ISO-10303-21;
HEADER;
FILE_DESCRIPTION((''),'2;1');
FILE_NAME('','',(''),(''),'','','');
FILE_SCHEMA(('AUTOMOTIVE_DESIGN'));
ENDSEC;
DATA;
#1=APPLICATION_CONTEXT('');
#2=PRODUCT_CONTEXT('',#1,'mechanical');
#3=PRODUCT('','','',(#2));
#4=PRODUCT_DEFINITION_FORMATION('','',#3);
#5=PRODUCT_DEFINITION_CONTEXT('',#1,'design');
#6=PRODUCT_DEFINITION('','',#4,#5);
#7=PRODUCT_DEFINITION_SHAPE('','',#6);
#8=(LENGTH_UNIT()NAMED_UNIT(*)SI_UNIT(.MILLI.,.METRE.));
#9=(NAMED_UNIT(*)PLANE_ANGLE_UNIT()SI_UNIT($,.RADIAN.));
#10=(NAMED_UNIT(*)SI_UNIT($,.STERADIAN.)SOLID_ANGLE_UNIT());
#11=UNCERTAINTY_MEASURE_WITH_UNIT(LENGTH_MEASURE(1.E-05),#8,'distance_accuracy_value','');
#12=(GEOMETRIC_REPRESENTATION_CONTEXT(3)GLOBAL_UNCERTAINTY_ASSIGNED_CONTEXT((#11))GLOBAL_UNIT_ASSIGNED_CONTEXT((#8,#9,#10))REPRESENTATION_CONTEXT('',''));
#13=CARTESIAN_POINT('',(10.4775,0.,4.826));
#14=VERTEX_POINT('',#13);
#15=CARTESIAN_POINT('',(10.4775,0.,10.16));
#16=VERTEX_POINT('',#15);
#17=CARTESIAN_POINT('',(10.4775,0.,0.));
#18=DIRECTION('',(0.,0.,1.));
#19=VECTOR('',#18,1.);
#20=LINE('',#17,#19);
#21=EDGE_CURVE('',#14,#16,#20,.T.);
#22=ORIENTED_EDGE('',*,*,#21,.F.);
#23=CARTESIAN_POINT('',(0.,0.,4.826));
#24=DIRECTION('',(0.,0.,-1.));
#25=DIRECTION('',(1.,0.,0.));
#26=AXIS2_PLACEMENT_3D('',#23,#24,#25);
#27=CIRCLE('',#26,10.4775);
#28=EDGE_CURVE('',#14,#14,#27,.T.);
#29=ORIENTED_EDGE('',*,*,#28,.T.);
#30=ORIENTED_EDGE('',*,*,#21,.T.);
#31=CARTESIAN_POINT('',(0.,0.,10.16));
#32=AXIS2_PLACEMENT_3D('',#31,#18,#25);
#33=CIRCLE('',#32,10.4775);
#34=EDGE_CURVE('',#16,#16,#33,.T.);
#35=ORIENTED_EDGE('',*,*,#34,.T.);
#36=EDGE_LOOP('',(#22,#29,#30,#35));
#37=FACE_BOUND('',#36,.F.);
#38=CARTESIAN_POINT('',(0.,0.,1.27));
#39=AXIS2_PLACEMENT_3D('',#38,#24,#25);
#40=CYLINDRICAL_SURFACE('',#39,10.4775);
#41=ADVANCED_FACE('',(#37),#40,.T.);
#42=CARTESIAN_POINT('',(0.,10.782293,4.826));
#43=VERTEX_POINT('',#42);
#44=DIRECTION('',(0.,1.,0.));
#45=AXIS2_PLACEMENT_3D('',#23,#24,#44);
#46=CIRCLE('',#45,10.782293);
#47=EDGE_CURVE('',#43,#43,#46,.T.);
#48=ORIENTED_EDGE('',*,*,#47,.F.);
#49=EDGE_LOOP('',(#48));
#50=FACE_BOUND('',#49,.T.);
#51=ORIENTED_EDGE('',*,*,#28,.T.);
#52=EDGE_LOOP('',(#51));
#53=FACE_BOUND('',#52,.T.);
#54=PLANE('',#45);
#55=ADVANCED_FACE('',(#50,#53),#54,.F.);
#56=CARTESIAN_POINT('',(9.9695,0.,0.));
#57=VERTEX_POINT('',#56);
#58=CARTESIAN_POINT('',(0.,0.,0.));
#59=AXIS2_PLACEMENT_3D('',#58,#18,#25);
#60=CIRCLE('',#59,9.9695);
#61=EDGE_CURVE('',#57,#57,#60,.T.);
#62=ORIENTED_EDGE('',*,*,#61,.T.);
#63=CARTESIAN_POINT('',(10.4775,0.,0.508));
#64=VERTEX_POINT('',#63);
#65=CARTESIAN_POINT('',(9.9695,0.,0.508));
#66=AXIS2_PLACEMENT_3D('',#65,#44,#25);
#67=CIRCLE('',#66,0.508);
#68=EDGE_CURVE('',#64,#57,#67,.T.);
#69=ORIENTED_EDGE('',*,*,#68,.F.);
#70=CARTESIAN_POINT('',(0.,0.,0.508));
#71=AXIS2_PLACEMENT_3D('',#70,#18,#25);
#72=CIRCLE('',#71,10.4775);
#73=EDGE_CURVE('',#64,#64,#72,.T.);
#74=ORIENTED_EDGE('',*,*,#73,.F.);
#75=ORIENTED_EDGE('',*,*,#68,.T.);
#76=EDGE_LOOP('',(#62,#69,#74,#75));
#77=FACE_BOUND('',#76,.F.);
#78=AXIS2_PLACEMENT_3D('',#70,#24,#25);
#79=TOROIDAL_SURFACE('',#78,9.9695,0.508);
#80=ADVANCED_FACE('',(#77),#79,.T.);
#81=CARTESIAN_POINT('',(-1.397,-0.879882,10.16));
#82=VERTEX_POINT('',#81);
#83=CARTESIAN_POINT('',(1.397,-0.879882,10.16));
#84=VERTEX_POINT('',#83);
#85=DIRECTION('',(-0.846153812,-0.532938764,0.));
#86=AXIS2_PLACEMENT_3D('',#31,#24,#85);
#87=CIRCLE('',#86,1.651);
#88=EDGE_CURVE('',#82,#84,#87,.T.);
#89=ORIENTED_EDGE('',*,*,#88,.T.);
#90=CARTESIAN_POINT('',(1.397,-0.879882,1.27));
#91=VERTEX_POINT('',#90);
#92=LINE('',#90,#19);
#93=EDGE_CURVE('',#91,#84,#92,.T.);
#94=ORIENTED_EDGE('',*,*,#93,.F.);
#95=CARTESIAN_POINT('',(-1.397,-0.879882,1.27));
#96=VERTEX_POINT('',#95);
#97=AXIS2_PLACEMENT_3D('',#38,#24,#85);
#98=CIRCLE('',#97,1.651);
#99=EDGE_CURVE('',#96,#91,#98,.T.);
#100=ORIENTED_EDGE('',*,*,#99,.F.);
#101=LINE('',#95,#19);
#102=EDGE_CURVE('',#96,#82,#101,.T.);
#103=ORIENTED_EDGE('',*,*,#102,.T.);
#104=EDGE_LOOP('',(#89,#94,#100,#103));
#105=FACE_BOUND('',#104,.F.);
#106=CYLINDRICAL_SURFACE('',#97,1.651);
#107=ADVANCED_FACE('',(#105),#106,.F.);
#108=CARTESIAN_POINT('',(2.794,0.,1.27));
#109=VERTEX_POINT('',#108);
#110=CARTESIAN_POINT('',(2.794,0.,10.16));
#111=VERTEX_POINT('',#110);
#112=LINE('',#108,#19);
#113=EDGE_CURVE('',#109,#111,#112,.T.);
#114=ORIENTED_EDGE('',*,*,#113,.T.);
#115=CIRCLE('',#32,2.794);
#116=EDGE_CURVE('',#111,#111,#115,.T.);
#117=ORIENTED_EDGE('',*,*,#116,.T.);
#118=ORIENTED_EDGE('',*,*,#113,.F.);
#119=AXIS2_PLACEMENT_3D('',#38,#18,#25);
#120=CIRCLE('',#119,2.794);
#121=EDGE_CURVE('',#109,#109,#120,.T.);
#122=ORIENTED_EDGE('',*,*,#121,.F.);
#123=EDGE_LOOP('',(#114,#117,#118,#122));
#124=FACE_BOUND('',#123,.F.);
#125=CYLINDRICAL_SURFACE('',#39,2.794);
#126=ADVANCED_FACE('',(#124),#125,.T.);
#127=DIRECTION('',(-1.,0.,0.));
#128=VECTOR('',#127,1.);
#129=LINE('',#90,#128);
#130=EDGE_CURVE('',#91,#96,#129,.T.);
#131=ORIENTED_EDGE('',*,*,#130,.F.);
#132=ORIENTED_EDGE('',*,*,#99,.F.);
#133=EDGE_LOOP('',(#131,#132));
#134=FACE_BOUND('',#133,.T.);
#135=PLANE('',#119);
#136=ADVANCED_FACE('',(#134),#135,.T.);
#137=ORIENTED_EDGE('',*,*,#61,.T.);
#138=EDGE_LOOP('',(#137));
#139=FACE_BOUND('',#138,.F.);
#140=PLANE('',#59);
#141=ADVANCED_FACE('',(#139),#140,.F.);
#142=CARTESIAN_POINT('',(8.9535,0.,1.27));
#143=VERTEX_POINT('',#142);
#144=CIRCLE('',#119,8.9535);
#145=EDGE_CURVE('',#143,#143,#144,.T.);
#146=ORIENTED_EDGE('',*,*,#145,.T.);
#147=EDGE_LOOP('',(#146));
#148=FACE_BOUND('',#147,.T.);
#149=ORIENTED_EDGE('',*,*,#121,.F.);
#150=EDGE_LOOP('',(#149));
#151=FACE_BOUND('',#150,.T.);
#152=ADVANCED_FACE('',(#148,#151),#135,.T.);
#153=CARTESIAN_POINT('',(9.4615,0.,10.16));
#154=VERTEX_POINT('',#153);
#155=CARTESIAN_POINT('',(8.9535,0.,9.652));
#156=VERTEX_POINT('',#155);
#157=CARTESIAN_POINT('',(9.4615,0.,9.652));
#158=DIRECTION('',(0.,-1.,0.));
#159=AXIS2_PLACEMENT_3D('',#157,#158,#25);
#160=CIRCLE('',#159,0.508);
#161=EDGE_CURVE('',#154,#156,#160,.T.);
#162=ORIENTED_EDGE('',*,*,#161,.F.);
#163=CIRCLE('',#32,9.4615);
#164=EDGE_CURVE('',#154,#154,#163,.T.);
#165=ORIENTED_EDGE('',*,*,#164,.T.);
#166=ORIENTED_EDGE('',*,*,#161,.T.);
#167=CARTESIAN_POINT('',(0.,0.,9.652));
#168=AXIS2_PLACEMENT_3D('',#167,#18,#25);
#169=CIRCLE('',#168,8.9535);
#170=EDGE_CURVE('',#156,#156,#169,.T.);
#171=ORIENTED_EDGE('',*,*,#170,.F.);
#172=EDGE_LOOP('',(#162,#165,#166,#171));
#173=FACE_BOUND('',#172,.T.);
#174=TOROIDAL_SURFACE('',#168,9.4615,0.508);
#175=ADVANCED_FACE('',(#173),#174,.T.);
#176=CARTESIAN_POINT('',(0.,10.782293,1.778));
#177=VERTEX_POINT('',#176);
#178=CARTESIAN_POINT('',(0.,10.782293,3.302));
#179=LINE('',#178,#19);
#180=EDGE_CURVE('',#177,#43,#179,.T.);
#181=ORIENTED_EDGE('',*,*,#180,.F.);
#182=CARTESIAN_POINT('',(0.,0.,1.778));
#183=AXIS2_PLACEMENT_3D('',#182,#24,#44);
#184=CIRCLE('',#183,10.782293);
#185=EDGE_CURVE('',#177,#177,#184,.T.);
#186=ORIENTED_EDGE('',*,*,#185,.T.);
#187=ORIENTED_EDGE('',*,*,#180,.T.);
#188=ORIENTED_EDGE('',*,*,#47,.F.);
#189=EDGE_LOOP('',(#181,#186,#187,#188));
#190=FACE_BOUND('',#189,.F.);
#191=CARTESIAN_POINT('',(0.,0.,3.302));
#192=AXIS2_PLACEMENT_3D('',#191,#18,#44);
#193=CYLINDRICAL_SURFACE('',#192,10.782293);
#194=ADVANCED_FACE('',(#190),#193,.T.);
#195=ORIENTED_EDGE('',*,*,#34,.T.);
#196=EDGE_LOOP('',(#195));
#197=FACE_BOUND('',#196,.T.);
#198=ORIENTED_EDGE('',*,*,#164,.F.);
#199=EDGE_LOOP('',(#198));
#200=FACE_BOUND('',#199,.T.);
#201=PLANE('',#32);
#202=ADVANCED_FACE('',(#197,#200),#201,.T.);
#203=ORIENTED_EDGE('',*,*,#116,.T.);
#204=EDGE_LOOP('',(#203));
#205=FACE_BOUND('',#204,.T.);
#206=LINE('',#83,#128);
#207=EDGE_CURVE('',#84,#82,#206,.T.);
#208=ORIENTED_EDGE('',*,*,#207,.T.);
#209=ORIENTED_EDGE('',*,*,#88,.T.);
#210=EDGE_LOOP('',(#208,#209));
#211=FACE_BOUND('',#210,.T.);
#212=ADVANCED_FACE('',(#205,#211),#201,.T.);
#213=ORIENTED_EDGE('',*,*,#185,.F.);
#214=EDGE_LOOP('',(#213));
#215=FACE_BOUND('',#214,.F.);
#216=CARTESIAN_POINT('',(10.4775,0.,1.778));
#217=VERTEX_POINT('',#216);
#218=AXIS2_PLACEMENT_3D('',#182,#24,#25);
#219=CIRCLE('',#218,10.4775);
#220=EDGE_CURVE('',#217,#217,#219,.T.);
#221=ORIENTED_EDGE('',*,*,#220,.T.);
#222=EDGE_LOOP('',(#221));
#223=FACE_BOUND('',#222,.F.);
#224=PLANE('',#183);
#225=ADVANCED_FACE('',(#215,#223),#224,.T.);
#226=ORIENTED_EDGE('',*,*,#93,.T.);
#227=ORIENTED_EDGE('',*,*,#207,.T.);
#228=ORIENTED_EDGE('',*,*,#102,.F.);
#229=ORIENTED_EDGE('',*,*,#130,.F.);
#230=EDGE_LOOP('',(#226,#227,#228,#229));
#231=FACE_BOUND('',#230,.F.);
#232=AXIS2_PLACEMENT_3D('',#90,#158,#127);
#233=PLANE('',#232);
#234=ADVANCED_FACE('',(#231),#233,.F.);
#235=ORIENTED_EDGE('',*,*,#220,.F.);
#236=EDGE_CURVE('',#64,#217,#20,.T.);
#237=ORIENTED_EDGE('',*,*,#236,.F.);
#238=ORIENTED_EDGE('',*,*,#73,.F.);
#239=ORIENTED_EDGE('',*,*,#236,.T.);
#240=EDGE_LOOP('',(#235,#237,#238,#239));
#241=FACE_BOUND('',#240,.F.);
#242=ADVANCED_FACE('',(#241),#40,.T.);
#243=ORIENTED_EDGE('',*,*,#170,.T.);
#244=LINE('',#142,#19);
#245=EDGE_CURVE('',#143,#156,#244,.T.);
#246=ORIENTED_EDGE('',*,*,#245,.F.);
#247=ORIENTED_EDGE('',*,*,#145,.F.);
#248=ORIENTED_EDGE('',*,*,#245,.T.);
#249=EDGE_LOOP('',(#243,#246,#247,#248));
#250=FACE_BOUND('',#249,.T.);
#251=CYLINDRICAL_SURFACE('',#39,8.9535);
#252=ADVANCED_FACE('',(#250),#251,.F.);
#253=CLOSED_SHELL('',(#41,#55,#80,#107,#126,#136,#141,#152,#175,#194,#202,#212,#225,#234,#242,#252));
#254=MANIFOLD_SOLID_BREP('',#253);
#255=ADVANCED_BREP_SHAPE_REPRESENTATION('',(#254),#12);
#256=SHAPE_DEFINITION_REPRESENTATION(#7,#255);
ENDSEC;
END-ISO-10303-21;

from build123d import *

# Parameters (mm, degrees)
F0_R     = 10.4775
F1_DEPTH = 1.27
F2_R     = 10.4775
F2_R_2   = 8.9535
F2_R_3   = 2.794
F3_DEPTH = 8.89
F4_W     = 0.3048
F4_H     = 3.048
F6_R     = 0.508


with BuildPart() as f1:
    # F0 (on Top) → F1 (new body)
    with BuildSketch(Plane.XY):
        Circle(F0_R)
    extrude(amount=F1_DEPTH)

    # F2 (on face) → F3 (join)
    with BuildSketch(Plane.XY.offset(1.27)):
        Circle(F2_R)
        Circle(F2_R_2, mode=Mode.SUBTRACT)
        Circle(F2_R_3)
        with BuildLine():
            ThreePointArc((-1.397, -0.879882), (0, 1.651), (1.397, -0.879882))
            Line((1.397, -0.879882), (-1.397, -0.879882))
        make_face(mode=Mode.SUBTRACT)
    extrude(amount=F3_DEPTH)

    # F4 (on Right) → F5 (revolve)
    with BuildSketch(Plane.YZ):
        with Locations((10.629893, 3.302)):
            Rectangle(F4_W, F4_H)
    revolve(axis=Axis((0, 0, 0), (0, 0, -1)))

    # F6
    f6_edges = [f1.edges().sort_by_distance(p)[0] for p in [
        (-10.4775, 0, 0),
        (-8.9535, 0, 10.16),
    ]]
    fillet(f6_edges, radius=F6_R)


solid = f1.part
